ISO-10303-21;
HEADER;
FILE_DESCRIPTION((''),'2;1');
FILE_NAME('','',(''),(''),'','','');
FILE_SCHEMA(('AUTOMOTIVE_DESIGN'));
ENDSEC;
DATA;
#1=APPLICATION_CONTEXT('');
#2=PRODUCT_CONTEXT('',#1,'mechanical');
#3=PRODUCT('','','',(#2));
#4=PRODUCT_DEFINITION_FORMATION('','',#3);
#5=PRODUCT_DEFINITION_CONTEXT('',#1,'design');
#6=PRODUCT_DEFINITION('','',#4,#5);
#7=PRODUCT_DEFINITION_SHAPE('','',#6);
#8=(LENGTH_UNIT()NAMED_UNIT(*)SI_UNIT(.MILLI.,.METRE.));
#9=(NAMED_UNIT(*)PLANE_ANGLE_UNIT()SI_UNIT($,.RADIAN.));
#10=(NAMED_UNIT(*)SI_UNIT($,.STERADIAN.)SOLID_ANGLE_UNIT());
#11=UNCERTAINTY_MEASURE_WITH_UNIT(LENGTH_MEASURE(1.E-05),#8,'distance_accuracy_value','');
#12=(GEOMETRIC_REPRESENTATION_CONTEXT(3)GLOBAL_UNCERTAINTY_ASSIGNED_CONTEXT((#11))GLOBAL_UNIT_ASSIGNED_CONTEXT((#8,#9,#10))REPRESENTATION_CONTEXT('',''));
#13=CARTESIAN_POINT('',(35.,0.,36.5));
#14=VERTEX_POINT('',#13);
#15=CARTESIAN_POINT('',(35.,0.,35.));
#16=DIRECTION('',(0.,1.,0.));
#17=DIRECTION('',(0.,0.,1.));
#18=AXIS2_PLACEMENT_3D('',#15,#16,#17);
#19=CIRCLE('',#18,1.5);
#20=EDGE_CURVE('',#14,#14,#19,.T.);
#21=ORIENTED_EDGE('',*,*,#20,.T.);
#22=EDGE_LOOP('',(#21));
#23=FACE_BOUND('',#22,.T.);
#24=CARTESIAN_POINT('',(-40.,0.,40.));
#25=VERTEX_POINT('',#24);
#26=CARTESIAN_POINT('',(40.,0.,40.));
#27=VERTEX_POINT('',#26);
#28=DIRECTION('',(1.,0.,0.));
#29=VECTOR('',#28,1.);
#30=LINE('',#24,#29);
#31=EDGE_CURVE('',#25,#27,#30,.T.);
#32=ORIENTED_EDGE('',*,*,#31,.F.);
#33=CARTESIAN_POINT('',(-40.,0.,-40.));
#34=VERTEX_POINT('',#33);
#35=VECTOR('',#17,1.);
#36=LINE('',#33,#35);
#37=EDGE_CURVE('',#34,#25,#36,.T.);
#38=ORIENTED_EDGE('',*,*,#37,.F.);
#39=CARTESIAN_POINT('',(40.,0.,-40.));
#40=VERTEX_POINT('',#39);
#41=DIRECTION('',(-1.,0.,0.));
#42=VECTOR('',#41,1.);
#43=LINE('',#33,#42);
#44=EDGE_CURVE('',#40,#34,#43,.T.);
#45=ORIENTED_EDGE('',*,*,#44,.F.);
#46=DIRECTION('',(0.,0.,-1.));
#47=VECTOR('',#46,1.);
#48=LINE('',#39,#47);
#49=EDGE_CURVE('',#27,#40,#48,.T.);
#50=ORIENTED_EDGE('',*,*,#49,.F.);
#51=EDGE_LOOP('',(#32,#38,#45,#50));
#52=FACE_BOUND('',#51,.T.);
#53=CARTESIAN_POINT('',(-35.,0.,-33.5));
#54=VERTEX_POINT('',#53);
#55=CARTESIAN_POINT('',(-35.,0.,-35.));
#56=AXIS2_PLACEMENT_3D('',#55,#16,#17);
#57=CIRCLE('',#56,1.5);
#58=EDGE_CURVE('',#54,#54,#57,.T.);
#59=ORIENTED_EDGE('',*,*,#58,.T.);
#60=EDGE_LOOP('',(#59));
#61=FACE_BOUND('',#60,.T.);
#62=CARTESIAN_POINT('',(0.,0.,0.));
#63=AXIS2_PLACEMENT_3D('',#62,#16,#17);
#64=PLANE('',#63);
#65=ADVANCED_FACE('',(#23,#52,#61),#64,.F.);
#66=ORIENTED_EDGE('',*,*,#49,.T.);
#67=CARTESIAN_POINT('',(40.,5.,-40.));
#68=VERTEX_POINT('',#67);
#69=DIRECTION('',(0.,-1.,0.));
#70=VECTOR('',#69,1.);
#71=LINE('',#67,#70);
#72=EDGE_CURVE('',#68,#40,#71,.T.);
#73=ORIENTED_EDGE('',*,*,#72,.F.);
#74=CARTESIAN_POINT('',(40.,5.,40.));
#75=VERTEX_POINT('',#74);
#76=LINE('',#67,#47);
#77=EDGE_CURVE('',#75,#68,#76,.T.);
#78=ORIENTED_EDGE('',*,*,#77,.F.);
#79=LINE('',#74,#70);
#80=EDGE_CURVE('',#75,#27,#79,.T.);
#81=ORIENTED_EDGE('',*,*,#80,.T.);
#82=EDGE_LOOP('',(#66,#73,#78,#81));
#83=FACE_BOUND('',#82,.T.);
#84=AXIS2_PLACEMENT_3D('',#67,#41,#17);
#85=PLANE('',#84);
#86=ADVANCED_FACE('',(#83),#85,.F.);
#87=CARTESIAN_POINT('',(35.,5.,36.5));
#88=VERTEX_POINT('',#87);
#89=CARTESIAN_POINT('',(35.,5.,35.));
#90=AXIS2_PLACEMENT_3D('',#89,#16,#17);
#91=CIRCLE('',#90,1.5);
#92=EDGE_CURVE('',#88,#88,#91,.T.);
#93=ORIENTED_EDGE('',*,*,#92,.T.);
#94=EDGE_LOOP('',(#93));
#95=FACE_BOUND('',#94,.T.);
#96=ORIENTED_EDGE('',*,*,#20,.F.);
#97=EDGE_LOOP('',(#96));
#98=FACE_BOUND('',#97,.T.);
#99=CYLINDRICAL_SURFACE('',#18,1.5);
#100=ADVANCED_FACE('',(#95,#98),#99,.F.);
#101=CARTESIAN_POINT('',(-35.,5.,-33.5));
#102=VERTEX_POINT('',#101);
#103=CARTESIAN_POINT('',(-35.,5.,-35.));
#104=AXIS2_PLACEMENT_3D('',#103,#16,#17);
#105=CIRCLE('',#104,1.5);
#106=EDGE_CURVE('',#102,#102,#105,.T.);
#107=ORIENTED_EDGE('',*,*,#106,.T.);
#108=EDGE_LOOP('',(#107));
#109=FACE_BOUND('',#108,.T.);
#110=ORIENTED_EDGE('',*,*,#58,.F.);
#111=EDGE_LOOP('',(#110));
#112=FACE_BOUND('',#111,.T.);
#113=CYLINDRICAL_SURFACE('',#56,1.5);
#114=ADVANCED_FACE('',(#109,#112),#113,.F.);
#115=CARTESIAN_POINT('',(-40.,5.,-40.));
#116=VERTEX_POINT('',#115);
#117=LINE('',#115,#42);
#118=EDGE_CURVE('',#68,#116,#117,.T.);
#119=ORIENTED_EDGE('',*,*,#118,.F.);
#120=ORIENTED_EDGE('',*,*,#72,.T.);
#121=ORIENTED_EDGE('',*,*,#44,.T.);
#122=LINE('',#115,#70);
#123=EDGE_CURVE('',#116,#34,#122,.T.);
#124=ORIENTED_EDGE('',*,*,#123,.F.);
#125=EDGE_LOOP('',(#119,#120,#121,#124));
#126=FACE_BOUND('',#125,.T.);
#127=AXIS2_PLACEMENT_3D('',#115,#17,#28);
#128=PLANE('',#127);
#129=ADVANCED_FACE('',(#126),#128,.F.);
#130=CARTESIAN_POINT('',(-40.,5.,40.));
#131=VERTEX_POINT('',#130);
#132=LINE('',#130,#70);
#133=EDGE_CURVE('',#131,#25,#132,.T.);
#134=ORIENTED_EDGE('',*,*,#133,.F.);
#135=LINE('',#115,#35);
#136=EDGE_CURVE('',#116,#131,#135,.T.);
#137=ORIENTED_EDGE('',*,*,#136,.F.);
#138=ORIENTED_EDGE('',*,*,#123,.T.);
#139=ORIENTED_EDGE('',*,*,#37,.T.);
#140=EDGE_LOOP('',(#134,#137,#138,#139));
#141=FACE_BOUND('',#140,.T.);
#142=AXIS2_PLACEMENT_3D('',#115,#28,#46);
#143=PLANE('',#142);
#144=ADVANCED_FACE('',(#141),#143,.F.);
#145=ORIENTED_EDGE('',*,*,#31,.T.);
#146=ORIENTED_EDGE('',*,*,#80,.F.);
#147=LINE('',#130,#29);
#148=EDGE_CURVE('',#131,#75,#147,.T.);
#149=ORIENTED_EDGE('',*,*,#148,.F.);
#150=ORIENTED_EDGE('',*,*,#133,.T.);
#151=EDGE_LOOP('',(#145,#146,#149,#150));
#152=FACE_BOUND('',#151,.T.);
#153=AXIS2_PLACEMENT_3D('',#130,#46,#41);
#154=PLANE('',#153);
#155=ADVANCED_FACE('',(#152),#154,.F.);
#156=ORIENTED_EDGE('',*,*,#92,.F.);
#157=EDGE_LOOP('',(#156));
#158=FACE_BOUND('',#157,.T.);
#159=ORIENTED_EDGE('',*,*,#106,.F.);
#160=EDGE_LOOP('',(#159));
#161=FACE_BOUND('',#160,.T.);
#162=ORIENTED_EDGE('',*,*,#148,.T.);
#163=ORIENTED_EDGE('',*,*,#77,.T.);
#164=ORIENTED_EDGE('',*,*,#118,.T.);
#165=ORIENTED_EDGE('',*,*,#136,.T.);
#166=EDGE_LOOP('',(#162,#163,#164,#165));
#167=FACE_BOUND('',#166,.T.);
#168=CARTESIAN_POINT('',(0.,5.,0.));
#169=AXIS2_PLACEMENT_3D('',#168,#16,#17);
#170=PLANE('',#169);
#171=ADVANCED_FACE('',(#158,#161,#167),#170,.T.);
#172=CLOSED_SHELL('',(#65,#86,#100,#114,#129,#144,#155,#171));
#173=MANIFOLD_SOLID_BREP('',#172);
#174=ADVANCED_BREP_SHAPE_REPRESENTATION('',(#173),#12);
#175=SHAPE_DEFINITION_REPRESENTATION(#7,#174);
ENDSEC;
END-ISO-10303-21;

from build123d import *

# Parameters (mm, degrees)
ESQUISSE1_W             = 80
ESQUISSE1_H             = 80
BOSS_EXTRU_1_DEPTH      = 5
ESQUISSE2_R             = 1.5
ENL_V_MAT_EXTRU_1_DEPTH = 6


with BuildPart() as part:
    # Esquisse1 → Boss.-Extru.1 (new body)
    with BuildSketch(Plane(origin=(0, 0, 0), x_dir=(1, 0, 0), z_dir=(0, 1, 0))):
        Rectangle(ESQUISSE1_W, ESQUISSE1_H)
    extrude(amount=BOSS_EXTRU_1_DEPTH)

    # Esquisse2 → Enlèv. mat.-Extru.1 (cut, through all)
    with BuildSketch(Plane(origin=(0, 5, 0), x_dir=(1, 0, 0), z_dir=(0, 1, 0))):
        with Locations((-35, 35)):
            Circle(ESQUISSE2_R)
        with Locations((35, -35)):
            Circle(ESQUISSE2_R)
    extrude(amount=-ENL_V_MAT_EXTRU_1_DEPTH, mode=Mode.SUBTRACT)


solid = part.part
